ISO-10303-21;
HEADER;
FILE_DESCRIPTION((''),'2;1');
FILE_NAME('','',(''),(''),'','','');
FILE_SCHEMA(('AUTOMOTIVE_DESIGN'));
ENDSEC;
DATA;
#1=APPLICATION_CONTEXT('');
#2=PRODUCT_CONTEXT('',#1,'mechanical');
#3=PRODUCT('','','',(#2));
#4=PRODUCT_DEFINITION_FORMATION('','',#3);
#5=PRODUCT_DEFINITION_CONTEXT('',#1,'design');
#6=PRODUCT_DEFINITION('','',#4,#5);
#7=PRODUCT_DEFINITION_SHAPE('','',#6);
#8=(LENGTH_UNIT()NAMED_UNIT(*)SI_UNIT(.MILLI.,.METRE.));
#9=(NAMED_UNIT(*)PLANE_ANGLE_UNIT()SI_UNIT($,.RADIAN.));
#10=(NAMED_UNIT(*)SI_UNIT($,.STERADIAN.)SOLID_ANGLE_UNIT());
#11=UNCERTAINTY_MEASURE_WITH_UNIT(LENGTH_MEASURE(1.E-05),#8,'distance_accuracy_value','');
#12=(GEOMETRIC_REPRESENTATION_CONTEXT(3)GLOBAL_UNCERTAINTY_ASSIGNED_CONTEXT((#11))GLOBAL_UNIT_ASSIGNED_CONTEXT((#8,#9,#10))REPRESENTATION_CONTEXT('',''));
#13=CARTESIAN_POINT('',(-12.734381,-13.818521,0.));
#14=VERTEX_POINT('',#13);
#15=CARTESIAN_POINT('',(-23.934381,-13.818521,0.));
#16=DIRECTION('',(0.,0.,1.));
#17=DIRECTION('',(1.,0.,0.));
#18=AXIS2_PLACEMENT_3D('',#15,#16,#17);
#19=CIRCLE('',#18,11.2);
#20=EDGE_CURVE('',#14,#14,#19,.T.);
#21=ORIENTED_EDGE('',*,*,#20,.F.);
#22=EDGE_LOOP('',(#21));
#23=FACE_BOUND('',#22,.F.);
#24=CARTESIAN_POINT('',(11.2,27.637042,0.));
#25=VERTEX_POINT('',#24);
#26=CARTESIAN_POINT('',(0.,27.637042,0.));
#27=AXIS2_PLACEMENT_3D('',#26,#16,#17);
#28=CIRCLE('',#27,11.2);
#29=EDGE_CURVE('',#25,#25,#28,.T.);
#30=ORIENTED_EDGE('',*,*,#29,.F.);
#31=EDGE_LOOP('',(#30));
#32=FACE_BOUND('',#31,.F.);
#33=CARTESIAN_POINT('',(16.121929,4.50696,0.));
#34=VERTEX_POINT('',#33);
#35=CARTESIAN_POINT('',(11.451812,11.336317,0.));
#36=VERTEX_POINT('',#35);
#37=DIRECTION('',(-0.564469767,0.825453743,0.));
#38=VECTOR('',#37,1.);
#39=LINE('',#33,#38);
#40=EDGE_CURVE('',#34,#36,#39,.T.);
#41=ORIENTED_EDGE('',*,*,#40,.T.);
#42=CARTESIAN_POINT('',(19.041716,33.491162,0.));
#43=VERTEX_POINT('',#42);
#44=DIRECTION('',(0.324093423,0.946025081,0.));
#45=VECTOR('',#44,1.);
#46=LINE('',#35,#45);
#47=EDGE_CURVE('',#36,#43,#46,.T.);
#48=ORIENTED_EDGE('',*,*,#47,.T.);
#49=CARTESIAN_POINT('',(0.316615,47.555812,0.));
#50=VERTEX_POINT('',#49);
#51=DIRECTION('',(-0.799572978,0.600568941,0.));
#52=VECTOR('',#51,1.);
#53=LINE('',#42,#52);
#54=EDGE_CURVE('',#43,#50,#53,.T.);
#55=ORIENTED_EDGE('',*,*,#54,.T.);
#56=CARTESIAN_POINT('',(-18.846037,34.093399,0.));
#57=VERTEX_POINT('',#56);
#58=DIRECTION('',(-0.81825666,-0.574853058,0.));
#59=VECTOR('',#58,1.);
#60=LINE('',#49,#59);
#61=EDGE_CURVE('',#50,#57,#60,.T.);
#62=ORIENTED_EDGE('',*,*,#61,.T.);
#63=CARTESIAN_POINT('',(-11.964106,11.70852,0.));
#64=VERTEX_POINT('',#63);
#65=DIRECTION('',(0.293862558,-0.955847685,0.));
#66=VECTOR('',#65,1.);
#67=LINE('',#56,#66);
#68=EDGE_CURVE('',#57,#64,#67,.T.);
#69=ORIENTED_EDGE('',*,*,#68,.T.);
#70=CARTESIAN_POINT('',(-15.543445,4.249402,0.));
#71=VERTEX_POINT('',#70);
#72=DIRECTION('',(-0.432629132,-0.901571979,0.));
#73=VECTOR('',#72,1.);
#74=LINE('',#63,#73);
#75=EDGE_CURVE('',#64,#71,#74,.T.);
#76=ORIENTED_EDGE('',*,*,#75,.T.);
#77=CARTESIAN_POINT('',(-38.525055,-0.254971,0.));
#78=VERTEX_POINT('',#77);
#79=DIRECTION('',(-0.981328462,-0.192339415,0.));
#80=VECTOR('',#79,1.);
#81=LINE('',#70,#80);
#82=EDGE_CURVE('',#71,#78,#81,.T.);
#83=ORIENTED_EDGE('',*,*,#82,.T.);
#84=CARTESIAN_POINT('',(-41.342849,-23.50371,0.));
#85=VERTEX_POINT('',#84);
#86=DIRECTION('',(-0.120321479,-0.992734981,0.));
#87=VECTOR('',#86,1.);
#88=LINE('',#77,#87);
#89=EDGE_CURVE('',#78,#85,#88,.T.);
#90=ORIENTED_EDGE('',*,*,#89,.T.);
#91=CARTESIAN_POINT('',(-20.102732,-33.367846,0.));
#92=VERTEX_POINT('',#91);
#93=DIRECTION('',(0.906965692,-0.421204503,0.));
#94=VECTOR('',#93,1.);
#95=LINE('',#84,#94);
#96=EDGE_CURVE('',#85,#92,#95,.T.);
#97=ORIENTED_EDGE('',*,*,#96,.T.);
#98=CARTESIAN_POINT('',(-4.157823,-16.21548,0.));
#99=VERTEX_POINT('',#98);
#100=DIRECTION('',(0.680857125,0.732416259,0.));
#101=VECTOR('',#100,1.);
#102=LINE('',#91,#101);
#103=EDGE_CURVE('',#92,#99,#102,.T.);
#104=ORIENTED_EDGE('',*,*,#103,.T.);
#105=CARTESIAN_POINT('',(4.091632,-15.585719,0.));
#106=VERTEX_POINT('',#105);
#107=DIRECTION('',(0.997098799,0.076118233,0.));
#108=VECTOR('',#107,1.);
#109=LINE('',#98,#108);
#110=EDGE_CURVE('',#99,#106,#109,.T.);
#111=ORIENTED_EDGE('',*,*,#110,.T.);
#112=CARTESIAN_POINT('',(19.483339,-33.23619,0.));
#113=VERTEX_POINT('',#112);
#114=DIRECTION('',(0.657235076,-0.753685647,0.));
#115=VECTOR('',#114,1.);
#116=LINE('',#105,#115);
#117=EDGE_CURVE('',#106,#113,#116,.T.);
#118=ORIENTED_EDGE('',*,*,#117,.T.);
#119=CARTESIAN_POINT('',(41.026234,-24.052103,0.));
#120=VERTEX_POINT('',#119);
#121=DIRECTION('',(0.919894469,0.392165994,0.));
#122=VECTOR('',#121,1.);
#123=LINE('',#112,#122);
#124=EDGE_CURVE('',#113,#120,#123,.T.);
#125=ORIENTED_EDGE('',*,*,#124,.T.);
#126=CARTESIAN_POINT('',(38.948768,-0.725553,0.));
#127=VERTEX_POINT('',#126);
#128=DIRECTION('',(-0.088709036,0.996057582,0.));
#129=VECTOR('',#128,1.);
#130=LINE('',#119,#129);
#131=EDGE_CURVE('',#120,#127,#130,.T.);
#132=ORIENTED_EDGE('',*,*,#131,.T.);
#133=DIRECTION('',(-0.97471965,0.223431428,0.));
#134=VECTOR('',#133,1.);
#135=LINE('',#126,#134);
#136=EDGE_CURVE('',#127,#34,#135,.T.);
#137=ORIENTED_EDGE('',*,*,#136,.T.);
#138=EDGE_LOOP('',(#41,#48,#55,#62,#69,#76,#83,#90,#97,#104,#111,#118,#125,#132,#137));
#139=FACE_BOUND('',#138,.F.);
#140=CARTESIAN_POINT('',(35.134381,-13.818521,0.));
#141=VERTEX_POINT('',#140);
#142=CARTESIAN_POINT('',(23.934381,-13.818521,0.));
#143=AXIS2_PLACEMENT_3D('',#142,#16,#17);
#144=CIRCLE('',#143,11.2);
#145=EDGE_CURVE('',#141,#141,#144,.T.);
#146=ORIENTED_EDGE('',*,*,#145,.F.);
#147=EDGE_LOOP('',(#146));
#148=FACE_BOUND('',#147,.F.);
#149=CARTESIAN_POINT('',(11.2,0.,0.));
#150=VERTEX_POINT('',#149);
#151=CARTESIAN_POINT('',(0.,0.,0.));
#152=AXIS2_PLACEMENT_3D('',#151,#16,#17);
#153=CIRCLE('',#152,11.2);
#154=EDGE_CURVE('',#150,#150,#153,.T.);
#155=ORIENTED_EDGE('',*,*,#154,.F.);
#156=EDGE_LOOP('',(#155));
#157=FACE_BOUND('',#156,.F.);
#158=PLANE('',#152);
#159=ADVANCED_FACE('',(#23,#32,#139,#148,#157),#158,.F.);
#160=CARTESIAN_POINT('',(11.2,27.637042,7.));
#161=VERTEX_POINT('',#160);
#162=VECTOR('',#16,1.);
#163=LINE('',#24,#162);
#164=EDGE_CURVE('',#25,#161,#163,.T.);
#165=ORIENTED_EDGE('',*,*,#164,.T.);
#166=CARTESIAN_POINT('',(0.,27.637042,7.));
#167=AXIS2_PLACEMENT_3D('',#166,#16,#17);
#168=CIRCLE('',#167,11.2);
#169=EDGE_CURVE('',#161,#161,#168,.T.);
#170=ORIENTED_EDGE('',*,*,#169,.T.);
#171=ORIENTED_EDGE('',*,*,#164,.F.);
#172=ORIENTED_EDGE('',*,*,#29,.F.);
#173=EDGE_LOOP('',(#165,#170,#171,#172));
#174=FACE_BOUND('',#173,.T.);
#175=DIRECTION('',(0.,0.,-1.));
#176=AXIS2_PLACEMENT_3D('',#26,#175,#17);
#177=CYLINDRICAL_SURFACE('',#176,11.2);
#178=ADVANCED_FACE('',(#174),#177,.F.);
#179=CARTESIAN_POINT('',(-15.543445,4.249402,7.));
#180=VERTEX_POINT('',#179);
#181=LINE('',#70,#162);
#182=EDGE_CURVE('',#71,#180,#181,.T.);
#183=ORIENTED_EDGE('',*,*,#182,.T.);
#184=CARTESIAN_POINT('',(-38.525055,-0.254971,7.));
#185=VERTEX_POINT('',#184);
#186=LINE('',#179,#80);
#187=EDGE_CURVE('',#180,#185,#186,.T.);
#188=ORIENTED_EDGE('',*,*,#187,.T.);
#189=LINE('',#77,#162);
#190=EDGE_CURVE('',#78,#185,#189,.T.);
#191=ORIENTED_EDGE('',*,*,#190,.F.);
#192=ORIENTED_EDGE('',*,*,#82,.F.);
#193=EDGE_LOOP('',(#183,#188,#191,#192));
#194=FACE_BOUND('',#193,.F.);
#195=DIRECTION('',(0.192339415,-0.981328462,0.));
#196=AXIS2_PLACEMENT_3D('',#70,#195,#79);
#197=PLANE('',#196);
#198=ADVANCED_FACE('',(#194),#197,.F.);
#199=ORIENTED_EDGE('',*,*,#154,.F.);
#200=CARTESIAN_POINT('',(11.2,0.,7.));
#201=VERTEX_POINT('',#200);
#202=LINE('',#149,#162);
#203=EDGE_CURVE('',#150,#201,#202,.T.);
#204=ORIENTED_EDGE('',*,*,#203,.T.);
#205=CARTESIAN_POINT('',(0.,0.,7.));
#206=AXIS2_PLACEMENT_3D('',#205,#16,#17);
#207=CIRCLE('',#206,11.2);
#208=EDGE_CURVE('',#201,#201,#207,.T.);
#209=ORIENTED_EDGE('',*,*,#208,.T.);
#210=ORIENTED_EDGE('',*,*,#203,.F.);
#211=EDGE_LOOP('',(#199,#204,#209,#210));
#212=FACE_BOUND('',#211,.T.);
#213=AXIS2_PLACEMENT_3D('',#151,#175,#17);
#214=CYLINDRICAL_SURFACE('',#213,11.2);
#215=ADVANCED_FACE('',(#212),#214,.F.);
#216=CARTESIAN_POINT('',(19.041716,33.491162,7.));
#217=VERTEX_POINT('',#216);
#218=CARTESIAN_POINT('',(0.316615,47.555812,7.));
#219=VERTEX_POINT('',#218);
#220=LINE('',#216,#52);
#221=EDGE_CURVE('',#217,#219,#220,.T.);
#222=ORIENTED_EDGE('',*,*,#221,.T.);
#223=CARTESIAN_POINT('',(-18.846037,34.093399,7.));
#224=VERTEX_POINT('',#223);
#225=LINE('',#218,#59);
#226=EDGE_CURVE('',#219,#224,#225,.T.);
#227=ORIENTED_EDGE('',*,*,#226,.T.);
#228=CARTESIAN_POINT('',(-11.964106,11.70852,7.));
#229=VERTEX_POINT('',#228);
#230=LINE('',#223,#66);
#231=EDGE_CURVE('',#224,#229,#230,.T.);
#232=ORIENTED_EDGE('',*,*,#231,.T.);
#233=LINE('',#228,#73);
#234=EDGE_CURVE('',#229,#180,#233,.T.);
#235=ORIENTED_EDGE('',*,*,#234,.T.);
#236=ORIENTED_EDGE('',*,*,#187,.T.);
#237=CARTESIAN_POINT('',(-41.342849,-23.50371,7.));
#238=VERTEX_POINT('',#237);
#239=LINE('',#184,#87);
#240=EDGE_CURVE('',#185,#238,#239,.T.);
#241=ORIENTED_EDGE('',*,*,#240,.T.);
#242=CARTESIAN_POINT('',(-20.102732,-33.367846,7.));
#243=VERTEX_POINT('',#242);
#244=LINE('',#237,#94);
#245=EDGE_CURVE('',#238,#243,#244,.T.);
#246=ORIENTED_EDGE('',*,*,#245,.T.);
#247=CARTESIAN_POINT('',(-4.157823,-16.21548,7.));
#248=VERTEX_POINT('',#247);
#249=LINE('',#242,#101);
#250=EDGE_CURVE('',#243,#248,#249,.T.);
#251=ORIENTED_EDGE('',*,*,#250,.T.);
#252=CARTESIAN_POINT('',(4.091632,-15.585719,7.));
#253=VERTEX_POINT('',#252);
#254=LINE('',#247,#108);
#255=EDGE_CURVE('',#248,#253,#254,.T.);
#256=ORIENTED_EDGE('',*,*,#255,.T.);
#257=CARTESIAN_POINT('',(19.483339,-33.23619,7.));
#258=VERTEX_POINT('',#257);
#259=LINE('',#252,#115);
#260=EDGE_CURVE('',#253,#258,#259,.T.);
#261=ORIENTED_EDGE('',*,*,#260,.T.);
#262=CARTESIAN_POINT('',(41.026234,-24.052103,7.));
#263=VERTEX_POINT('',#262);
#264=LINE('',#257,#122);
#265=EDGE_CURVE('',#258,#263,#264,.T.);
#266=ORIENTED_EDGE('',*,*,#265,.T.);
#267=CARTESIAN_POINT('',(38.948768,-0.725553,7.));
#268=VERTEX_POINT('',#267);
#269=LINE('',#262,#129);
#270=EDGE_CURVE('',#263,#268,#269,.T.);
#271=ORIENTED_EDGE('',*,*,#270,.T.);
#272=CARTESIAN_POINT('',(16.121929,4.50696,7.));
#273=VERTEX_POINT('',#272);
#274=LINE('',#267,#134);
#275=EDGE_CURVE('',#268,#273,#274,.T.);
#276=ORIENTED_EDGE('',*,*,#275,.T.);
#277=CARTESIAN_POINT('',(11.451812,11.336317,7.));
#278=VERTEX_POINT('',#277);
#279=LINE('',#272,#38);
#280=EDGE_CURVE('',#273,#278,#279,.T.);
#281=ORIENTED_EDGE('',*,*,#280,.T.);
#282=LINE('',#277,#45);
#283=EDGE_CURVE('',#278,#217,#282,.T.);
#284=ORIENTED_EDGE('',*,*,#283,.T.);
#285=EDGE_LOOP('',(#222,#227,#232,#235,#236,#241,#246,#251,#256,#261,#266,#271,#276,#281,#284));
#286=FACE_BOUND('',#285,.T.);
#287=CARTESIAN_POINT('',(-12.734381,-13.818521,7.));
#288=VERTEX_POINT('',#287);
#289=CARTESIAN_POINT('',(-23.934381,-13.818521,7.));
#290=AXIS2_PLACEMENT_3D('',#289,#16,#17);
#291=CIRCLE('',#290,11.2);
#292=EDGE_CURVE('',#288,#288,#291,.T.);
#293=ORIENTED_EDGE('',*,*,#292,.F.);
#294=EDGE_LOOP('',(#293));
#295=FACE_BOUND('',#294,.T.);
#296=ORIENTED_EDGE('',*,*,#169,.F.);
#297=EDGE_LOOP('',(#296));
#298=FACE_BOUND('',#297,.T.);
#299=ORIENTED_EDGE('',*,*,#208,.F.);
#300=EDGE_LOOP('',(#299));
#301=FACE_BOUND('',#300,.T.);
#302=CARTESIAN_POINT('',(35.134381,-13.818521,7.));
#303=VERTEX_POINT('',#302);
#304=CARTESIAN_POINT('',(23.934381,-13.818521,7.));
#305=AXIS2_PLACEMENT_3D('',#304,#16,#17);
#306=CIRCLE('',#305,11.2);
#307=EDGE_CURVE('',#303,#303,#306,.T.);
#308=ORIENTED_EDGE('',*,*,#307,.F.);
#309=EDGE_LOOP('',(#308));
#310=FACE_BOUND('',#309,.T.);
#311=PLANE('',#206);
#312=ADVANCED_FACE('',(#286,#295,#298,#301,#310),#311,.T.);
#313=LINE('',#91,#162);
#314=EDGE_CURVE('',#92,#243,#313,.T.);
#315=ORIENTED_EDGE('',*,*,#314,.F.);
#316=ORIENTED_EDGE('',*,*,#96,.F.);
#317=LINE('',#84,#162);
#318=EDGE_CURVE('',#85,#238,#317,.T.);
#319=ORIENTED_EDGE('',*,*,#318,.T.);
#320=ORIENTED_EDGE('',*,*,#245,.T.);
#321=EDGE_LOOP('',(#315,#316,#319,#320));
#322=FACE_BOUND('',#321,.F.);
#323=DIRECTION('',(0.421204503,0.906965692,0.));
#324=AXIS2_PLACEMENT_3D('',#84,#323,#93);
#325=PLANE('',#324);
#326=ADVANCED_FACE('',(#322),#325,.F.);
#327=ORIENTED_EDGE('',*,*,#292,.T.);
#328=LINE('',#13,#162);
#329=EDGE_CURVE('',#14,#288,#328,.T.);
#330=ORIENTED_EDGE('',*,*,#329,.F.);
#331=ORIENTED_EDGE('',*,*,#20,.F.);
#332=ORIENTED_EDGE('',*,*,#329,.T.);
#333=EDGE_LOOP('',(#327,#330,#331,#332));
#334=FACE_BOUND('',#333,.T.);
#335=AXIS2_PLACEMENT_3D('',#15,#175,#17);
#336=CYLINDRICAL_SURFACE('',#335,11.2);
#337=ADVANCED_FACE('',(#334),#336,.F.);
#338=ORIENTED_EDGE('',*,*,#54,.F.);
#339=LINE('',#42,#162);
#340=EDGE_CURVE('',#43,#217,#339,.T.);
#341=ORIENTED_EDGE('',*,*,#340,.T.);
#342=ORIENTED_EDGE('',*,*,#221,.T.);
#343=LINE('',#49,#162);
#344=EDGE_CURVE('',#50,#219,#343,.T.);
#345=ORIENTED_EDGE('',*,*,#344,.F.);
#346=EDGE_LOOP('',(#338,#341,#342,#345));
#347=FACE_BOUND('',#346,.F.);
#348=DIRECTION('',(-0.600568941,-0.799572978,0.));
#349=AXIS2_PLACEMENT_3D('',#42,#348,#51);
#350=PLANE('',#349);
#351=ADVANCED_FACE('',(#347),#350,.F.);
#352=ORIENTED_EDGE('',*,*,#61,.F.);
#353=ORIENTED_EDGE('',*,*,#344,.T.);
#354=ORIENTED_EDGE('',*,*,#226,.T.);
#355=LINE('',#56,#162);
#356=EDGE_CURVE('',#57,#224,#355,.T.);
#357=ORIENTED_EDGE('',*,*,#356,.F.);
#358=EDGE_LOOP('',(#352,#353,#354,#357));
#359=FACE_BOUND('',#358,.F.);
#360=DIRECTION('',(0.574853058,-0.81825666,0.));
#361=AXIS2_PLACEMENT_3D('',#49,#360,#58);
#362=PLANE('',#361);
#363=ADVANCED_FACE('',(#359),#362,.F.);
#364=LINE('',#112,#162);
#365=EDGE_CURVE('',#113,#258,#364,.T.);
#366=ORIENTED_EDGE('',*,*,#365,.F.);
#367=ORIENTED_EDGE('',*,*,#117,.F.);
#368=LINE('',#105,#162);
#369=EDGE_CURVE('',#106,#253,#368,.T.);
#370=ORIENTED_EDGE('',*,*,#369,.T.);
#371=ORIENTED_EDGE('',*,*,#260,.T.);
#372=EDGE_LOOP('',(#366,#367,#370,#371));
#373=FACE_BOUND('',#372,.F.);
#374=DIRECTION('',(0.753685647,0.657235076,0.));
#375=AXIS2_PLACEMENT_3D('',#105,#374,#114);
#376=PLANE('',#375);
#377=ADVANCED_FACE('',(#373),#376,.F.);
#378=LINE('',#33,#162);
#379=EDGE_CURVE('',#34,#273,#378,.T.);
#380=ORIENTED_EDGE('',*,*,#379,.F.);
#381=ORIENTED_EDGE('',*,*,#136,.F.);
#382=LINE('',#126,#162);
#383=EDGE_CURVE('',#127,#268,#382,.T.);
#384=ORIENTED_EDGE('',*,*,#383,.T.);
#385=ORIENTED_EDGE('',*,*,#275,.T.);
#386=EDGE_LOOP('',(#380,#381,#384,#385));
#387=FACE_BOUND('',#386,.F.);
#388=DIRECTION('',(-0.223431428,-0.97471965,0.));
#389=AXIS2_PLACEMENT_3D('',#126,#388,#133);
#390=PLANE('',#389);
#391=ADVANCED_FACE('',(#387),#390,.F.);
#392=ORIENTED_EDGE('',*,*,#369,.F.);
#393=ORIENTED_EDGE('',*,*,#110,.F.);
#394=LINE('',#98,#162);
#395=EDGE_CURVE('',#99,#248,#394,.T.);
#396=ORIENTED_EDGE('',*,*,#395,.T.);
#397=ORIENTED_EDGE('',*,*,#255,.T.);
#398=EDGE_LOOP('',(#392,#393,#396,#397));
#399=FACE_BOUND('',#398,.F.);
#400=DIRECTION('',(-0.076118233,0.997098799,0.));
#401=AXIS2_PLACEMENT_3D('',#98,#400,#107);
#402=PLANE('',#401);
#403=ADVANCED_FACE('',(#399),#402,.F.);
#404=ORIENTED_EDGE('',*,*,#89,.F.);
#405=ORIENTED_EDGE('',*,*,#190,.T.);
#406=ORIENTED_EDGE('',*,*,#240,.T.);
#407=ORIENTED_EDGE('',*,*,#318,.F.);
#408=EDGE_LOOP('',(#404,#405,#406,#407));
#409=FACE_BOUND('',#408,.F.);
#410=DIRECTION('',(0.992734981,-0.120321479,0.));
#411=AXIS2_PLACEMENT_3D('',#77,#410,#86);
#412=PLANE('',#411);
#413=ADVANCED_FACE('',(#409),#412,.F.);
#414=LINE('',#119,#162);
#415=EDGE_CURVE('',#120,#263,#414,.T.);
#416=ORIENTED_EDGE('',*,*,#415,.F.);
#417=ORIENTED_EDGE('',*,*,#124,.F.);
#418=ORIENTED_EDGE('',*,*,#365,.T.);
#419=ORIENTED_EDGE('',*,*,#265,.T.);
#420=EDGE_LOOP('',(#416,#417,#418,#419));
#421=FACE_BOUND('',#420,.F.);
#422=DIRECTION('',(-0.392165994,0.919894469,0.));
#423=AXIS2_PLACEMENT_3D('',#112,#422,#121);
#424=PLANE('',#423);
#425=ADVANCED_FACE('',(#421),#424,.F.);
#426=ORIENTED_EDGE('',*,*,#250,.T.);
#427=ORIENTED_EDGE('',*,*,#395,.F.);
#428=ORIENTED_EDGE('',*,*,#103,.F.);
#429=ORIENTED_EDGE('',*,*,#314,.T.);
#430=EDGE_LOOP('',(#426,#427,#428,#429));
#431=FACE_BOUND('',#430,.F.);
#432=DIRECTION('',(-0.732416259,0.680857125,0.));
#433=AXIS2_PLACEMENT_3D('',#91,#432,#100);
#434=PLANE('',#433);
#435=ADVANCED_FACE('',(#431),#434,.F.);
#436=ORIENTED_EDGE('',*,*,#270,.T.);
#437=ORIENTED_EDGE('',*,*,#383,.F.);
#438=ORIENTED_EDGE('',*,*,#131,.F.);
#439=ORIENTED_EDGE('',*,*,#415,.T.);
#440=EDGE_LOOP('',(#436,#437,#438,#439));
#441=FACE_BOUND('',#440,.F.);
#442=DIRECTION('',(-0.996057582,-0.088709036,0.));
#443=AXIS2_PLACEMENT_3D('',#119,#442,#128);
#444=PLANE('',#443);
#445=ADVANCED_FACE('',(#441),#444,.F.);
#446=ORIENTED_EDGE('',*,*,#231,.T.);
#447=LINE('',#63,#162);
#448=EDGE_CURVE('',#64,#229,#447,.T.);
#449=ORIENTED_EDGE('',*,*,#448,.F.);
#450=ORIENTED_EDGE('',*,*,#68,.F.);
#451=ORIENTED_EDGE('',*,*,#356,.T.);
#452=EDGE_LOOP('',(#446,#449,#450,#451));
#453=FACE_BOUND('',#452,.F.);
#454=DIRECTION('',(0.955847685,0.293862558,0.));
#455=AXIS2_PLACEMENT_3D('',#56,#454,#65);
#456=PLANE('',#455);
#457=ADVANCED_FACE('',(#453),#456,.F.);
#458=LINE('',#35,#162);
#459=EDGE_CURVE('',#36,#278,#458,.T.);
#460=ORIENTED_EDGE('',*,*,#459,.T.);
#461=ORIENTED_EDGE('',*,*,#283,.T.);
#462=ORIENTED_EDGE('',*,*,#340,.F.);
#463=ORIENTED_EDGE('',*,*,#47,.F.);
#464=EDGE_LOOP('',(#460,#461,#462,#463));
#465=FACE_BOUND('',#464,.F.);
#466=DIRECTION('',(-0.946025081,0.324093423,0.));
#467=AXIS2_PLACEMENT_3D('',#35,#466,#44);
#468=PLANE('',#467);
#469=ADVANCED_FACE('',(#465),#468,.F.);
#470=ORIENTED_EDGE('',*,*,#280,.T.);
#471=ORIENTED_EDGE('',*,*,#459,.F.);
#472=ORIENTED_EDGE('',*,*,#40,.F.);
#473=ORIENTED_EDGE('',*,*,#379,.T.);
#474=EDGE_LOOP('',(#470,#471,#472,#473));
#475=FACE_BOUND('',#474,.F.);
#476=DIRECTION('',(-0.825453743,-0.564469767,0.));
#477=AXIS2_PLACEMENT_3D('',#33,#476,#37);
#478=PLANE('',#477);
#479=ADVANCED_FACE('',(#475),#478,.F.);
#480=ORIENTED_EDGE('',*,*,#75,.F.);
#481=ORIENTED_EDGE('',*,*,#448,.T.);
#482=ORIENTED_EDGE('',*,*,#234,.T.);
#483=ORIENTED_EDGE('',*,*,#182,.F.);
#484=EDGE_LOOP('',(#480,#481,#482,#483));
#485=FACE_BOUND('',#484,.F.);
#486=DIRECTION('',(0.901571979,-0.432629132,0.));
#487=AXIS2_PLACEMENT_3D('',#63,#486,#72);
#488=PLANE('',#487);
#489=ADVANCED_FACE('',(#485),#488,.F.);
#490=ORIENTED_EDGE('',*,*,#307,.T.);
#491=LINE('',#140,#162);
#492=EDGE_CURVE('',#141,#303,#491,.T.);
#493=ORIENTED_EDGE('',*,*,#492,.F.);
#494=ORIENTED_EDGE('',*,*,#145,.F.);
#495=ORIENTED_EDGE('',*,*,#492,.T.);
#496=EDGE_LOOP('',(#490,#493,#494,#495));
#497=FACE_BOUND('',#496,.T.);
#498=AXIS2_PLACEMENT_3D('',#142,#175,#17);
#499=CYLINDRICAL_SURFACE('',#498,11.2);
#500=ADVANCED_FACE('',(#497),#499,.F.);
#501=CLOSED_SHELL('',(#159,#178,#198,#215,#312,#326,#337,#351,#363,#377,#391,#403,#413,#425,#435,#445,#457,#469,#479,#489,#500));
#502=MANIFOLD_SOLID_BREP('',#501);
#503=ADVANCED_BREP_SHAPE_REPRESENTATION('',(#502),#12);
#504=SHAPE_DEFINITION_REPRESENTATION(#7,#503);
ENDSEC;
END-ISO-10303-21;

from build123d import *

# Parameters (mm, degrees)
F0_R     = 11.2
F1_DEPTH = 7


with BuildPart() as f1:
    # F0 (on Top) → F1 (new body)
    with BuildSketch(Plane.XY):
        Polygon((19.041716, 33.491162), (0.316615, 47.555812), (-18.846037, 34.093399), (-11.964106, 11.70852), (-15.543445, 4.249402), (-38.525055, -0.254971), (-41.342849, -23.50371), (-20.102732, -33.367846), (-4.157823, -16.21548), (4.091632, -15.585719), (19.483339, -33.23619), (41.026234, -24.052103), (38.948768, -0.725553), (16.121929, 4.50696), (11.451812, 11.336317), align=None)
        with Locations((-23.934381, -13.818521)):
            Circle(F0_R, mode=Mode.SUBTRACT)
        with Locations((23.934381, -13.818521)):
            Circle(F0_R, mode=Mode.SUBTRACT)
        Circle(F0_R, mode=Mode.SUBTRACT)
        with Locations((0, 27.637042)):
            Circle(F0_R, mode=Mode.SUBTRACT)
    extrude(amount=F1_DEPTH)


solid = f1.part
